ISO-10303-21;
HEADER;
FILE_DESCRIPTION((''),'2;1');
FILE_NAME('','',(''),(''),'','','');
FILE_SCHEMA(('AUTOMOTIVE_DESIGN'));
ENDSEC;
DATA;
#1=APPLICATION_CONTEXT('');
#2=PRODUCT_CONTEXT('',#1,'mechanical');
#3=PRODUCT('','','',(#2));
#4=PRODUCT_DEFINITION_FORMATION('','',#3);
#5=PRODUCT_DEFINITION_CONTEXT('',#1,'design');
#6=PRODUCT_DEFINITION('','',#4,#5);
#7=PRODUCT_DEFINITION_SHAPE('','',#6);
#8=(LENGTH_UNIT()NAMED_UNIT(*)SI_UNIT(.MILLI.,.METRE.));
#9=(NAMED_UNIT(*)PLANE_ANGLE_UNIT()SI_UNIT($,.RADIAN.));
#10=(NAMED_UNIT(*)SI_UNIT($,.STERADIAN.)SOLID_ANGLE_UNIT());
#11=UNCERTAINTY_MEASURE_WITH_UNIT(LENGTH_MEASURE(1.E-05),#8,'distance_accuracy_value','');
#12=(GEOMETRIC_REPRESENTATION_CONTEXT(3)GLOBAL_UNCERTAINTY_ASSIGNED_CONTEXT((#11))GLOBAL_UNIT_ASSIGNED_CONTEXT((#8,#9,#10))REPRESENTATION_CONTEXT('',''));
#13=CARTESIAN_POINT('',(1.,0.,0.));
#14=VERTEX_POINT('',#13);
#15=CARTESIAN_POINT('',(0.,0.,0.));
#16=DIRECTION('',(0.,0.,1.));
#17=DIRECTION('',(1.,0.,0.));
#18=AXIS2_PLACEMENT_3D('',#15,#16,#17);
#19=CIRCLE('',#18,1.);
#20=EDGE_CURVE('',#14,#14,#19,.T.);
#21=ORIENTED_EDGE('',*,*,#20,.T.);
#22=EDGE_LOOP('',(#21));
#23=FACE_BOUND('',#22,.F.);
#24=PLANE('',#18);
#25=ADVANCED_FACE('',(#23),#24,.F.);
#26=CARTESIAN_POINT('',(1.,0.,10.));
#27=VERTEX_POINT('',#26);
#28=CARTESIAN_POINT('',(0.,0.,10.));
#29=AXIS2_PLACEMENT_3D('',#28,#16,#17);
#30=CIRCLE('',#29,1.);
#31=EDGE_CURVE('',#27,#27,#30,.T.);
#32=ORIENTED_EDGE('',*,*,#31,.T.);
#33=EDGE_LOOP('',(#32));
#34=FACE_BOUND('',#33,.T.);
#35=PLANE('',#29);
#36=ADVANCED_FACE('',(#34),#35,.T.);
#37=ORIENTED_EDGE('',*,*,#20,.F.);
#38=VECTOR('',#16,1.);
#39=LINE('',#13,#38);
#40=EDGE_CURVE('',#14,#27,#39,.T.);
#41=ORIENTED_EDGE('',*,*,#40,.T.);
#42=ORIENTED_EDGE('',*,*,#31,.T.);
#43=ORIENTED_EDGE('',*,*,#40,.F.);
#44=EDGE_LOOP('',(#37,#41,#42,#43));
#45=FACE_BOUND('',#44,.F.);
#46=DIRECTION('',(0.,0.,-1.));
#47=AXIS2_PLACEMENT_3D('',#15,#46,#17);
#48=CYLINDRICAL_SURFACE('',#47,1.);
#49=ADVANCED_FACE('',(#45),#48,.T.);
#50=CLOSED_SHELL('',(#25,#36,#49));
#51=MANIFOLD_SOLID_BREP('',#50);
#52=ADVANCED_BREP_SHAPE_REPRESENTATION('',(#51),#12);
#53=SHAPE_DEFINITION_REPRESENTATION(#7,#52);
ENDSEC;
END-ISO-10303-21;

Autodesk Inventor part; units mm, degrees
ref_plane "YZ Plane" through (0, 0, 0) normal (1, 0, 0) x (0, 1, 0)
ref_plane "XZ Plane" through (0, 0, 0) normal (0, 1, 0) x (-1, 0, 0)
ref_plane "XY Plane" through (0, 0, 0) normal (0, 0, 1) x (1, 0, 0)
sketch "Sketch1" plane through (0, 0, 0) normal (0, 0, 1) x (1, 0, 0)
  circle A0 centre (0, 0) radius 1
  dimension "d0" = 2
extrude "Extrusion1" add sketch "Sketch1" along normal blind 10
